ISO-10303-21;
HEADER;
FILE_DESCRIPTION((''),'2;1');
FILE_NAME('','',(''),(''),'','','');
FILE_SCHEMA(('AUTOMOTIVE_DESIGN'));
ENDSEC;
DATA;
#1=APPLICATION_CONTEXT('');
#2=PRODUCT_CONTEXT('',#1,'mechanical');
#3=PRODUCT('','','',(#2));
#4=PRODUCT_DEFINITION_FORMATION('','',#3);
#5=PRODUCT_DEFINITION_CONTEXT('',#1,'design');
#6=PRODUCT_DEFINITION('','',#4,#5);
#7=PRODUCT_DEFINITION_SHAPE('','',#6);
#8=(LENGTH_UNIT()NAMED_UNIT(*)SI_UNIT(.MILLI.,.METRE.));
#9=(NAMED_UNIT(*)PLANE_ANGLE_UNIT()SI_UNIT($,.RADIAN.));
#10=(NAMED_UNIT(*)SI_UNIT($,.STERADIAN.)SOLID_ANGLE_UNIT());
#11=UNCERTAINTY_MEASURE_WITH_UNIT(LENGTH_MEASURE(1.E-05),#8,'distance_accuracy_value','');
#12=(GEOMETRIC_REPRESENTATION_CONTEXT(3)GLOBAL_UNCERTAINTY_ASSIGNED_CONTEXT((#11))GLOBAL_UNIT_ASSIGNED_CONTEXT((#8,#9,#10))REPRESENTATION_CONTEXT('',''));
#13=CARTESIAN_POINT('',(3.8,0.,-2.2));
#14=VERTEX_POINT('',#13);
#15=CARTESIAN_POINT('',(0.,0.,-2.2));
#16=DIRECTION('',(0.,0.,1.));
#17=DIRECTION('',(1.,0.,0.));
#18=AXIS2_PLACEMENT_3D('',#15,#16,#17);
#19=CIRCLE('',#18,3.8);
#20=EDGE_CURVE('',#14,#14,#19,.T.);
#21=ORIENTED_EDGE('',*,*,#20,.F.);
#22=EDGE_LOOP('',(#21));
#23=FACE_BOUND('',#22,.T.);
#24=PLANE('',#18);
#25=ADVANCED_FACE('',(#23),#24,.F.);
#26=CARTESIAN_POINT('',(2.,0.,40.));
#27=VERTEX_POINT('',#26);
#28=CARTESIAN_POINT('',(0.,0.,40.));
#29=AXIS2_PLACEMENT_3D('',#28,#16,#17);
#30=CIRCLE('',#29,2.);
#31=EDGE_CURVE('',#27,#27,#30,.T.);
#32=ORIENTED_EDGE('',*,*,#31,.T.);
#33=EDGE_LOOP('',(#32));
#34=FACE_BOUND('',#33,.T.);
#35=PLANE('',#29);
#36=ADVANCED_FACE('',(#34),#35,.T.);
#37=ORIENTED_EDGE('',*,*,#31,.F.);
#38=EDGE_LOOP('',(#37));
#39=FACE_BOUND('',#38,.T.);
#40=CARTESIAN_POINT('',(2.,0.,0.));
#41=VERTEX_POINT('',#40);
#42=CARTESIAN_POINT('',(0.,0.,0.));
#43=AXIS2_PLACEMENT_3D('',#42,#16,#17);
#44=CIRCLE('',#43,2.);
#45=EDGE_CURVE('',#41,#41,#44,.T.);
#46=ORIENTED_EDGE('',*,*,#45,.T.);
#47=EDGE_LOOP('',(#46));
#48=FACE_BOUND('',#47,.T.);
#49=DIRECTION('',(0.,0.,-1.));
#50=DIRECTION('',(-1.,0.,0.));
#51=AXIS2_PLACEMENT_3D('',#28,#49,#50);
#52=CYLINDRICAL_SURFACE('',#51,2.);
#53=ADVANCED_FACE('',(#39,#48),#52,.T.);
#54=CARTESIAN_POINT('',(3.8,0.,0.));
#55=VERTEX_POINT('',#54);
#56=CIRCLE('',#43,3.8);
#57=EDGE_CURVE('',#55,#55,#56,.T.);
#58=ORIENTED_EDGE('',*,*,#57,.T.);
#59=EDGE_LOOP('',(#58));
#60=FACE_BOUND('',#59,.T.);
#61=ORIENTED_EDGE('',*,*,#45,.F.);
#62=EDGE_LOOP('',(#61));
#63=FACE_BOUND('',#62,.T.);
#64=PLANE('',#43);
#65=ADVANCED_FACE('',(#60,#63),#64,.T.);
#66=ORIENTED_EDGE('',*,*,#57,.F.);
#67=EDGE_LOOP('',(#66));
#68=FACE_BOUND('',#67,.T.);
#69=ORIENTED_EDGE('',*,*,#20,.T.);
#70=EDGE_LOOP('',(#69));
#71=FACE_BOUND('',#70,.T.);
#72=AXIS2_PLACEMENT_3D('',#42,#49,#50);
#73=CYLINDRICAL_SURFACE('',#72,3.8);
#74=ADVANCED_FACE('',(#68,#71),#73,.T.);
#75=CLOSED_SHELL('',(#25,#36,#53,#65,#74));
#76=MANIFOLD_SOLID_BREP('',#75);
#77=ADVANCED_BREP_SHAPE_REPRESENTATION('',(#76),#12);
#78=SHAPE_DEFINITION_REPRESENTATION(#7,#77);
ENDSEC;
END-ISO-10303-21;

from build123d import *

# Parameters (mm, degrees)
LOW_START                          = -2.2
LOW_HEAD_ENVELOPE_PROFILE_R        = 3.8
LOW_HEAD_ENVELOPE_DEPTH            = 2.2
M4_SHANK_THREADS_OMITTED_PROFILE_R = 2
M4_SHANK_THREADS_OMITTED_DEPTH     = 40


with BuildPart() as part:
    # Low head envelope profile → Low head envelope (new body)
    with BuildSketch(Plane.XY.offset(LOW_START)):
        Circle(LOW_HEAD_ENVELOPE_PROFILE_R)
    extrude(amount=LOW_HEAD_ENVELOPE_DEPTH)

    # M4 shank, threads omitted profile → M4 shank, threads omitted (add)
    with BuildSketch(Plane.XY):
        Circle(M4_SHANK_THREADS_OMITTED_PROFILE_R)
    extrude(amount=M4_SHANK_THREADS_OMITTED_DEPTH)


solid = part.part
